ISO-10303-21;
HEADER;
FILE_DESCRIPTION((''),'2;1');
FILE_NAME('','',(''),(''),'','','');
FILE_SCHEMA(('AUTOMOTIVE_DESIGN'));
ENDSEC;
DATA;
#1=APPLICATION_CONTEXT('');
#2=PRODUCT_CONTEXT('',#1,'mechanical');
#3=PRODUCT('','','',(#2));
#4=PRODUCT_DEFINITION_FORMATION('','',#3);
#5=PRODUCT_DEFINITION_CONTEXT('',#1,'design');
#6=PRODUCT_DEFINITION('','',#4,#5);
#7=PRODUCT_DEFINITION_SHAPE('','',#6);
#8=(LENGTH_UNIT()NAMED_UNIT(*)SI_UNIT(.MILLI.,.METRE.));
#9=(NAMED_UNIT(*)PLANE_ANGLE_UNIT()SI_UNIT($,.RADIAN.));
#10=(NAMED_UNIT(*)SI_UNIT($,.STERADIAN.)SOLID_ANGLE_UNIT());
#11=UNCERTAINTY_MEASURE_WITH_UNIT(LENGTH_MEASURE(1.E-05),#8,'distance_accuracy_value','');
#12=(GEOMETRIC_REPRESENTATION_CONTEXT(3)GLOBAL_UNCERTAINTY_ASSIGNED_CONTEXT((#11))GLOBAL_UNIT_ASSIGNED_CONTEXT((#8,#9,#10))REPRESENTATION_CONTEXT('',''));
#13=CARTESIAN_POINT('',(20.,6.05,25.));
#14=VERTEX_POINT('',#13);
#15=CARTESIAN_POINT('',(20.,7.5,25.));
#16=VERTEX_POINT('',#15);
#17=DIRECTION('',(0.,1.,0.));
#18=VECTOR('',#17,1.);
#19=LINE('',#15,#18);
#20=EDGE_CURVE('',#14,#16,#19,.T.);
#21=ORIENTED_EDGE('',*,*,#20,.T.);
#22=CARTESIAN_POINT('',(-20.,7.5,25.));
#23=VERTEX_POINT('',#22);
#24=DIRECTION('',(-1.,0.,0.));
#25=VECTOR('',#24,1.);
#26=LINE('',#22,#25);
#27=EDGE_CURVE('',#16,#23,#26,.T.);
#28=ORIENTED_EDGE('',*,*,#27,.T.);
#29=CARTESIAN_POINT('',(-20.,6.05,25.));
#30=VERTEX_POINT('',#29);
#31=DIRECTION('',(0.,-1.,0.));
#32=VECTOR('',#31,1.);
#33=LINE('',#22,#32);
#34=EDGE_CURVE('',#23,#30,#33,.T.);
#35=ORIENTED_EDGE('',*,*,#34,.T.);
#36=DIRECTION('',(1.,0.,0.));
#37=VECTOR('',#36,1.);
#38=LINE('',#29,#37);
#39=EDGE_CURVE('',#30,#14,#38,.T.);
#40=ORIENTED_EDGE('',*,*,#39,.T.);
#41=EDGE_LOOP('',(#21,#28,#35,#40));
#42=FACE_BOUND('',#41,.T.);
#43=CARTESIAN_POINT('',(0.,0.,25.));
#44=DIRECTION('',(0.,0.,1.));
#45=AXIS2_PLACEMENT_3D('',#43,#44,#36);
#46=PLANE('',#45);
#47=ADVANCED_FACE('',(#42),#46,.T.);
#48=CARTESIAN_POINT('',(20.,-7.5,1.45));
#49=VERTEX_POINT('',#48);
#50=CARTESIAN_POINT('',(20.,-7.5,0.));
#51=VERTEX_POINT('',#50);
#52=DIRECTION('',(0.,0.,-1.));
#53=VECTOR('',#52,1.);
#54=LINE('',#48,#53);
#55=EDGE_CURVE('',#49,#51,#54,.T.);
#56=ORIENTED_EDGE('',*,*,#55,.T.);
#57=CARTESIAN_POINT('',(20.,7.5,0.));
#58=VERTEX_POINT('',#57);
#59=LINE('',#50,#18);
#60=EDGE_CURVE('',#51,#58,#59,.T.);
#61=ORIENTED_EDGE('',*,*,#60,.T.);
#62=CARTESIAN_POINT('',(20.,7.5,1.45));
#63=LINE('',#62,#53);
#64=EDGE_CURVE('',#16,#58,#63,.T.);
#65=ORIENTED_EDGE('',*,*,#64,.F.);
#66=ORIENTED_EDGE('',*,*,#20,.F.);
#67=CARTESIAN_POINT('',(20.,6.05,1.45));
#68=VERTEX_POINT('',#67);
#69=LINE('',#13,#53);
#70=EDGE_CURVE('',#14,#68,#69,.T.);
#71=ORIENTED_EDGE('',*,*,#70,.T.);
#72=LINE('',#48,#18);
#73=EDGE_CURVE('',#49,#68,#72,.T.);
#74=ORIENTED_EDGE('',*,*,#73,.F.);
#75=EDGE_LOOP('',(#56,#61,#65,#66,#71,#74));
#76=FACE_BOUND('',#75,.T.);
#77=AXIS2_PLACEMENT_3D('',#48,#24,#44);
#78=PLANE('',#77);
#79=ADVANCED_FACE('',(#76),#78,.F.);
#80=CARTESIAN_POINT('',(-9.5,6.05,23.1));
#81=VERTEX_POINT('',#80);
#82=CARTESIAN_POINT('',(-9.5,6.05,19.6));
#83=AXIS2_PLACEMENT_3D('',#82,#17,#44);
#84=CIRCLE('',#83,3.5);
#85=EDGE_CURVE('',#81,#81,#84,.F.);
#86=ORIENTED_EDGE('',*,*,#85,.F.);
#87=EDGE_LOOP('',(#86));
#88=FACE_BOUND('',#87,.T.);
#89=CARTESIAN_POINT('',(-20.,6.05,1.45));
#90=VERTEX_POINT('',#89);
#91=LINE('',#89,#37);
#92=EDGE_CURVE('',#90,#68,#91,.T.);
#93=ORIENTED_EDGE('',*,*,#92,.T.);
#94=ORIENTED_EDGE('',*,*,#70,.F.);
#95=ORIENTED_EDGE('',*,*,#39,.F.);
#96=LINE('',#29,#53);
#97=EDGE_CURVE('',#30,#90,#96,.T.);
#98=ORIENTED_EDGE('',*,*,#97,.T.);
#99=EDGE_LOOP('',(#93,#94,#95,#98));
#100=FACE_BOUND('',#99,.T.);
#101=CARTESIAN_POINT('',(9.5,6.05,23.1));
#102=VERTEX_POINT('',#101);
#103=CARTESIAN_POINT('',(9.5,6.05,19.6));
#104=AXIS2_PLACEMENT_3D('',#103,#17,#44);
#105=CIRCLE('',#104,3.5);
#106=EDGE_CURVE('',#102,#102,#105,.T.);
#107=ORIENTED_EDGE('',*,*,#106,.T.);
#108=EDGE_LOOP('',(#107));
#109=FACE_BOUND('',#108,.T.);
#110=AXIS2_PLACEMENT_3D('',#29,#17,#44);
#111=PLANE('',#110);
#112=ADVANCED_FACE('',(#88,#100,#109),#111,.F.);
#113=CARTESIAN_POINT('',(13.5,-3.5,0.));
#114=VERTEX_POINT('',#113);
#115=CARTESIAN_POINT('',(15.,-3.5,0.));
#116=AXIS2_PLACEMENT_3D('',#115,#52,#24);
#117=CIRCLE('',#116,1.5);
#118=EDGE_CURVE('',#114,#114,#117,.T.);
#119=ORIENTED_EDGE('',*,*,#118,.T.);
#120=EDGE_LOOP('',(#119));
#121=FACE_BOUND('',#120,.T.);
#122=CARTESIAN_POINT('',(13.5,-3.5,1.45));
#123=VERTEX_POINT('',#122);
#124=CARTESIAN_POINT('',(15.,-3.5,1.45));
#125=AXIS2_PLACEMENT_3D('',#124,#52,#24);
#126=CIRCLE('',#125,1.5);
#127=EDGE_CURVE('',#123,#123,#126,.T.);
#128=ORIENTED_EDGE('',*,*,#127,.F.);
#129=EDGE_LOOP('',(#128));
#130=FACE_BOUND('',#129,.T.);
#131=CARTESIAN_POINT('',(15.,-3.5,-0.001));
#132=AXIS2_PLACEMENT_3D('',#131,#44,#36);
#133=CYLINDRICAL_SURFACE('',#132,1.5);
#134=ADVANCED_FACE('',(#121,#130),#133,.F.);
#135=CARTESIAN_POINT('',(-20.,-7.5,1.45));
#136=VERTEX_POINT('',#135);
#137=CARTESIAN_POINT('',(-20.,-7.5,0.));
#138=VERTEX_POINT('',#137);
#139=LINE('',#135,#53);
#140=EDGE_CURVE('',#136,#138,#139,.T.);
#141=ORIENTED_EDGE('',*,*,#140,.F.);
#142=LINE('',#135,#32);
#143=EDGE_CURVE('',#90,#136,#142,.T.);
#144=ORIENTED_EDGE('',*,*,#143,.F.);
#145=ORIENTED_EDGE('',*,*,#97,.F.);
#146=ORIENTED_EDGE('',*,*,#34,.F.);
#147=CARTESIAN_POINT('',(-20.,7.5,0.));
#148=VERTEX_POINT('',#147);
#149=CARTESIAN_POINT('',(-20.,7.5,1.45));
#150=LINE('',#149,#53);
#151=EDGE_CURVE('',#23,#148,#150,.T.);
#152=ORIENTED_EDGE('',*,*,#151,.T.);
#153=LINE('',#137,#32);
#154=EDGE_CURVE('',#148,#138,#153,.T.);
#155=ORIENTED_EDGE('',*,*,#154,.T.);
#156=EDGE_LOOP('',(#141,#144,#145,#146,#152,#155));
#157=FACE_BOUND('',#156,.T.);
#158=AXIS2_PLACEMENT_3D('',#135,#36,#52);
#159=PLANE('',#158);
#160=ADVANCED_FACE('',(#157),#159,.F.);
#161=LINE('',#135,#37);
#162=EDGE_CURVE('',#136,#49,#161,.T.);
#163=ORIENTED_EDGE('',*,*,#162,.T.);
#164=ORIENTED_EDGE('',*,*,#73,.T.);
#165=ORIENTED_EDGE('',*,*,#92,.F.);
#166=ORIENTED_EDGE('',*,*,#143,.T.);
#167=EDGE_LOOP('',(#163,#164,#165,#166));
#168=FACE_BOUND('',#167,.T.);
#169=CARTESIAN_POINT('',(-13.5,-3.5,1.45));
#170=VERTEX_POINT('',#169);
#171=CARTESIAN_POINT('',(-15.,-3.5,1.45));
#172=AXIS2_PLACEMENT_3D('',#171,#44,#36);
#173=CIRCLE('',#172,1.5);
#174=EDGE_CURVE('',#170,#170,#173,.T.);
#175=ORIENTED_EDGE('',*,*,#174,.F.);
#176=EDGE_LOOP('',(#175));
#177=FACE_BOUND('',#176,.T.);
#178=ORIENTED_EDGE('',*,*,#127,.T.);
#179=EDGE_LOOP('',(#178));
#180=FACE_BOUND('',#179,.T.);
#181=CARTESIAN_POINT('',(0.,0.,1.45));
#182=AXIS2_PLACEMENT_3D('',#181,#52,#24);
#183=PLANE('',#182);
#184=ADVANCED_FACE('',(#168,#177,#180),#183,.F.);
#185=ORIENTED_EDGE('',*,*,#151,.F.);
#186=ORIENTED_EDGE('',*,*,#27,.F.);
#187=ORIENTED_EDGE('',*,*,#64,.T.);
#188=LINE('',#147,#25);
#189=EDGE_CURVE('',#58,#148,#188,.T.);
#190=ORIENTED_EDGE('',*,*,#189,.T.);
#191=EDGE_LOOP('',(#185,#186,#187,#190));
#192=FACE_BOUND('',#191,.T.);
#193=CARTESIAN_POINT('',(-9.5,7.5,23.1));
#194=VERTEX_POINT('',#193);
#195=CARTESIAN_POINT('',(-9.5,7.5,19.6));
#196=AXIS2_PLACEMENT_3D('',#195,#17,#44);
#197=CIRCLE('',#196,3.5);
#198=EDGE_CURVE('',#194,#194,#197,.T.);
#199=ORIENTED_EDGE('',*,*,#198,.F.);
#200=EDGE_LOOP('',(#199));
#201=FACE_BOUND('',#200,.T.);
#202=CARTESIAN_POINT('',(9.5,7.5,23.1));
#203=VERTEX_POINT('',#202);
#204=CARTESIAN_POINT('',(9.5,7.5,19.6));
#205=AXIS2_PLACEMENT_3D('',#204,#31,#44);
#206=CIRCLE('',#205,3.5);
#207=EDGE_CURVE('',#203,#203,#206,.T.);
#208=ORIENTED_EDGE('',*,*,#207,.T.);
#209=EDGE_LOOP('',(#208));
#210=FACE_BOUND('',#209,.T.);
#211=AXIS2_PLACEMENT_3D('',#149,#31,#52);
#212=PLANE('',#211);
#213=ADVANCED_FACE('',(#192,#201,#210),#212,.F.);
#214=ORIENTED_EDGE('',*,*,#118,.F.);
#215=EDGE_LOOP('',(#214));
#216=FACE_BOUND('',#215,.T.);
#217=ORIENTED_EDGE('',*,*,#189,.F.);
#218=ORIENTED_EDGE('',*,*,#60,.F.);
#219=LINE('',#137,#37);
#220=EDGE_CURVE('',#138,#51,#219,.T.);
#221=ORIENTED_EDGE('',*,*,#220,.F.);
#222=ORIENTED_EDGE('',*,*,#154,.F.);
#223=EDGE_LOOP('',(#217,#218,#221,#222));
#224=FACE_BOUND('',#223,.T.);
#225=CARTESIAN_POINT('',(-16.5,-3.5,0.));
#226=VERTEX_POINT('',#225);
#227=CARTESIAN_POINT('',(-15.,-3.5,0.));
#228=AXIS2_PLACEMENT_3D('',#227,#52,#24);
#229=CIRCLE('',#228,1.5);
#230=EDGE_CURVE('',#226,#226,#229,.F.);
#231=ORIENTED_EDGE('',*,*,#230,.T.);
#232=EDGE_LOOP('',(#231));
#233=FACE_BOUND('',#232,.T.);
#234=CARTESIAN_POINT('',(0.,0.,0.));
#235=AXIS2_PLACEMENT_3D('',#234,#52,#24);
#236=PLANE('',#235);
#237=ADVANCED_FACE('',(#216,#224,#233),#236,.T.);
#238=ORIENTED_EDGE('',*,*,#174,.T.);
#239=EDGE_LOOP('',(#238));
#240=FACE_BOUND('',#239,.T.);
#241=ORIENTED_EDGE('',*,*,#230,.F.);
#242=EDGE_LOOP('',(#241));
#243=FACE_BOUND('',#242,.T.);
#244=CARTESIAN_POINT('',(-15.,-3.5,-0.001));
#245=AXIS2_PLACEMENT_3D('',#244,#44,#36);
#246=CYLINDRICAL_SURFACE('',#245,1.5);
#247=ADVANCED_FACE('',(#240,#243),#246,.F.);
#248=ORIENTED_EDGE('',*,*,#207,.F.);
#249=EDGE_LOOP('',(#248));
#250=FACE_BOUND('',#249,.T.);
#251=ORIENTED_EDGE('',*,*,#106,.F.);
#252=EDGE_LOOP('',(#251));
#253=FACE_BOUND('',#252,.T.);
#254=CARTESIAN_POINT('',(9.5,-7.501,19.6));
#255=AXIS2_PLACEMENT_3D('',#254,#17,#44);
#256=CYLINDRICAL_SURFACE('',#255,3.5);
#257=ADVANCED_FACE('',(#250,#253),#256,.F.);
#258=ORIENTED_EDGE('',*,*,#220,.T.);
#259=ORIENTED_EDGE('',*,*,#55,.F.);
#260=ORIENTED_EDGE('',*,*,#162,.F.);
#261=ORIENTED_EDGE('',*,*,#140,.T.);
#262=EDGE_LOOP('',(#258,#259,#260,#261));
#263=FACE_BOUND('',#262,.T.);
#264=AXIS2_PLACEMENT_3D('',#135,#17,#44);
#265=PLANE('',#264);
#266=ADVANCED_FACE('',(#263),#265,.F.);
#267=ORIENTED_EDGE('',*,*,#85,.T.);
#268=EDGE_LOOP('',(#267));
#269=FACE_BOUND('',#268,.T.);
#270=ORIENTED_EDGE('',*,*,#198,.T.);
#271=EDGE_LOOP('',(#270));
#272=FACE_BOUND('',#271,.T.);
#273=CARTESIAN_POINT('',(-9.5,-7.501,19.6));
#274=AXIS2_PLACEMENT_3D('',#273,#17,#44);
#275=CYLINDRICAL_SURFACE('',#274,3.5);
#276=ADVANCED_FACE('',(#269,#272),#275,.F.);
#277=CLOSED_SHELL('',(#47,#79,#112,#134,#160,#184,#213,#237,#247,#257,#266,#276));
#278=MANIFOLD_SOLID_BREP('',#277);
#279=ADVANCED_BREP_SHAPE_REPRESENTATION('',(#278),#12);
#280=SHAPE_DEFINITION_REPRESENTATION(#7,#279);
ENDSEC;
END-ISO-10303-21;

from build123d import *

# Parameters (mm, degrees)
SKETCH1_W           = 40
SKETCH1_H           = 15
BOSS_EXTRUDE1_DEPTH = 1.45
SKETCH2_W           = 40
SKETCH2_H           = 1.45
BOSS_EXTRUDE2_DEPTH = 23.55
SKETCH3_R           = 1.5
CUT_EXTRUDE1_DEPTH  = 1.45
SKETCH4_R           = 3.5
CUT_EXTRUDE2_DEPTH  = 1.45


with BuildPart() as part:
    # Sketch1 → Boss-Extrude1 (new body)
    with BuildSketch(Plane.XY):
        Rectangle(SKETCH1_W, SKETCH1_H)
    extrude(amount=BOSS_EXTRUDE1_DEPTH)

    # Sketch2 → Boss-Extrude2 (add)
    with BuildSketch(Plane.XY.offset(1.45)):
        with Locations((0, 6.775)):
            Rectangle(SKETCH2_W, SKETCH2_H)
    extrude(amount=BOSS_EXTRUDE2_DEPTH)

    # Sketch3 → Cut-Extrude1 (cut)
    with BuildSketch(Plane.XY.offset(1.45)):
        with Locations((-15, -3.5)):
            Circle(SKETCH3_R)
    cut_extrude1 = extrude(amount=-CUT_EXTRUDE1_DEPTH, mode=Mode.SUBTRACT)

    # Mirror1: Cut-Extrude1 across plane
    add(cut_extrude1.mirror(Plane(origin=(0, 0, 0), x_dir=(0, 0, 1), z_dir=(1, 0, 0))), mode=Mode.SUBTRACT)

    # Sketch4 → Cut-Extrude2 (cut)
    with BuildSketch(Plane(origin=(0, 7.5, 0), x_dir=(1, 0, 0), z_dir=(0, 1, 0))):
        with Locations((-9.5, -19.6)):
            Circle(SKETCH4_R)
    cut_extrude2 = extrude(amount=-CUT_EXTRUDE2_DEPTH, mode=Mode.SUBTRACT)

    # Mirror2: Cut-Extrude2 across plane
    add(cut_extrude2.mirror(Plane(origin=(0, 0, 0), x_dir=(0, 0, 1), z_dir=(1, 0, 0))), mode=Mode.SUBTRACT)


solid = part.part
